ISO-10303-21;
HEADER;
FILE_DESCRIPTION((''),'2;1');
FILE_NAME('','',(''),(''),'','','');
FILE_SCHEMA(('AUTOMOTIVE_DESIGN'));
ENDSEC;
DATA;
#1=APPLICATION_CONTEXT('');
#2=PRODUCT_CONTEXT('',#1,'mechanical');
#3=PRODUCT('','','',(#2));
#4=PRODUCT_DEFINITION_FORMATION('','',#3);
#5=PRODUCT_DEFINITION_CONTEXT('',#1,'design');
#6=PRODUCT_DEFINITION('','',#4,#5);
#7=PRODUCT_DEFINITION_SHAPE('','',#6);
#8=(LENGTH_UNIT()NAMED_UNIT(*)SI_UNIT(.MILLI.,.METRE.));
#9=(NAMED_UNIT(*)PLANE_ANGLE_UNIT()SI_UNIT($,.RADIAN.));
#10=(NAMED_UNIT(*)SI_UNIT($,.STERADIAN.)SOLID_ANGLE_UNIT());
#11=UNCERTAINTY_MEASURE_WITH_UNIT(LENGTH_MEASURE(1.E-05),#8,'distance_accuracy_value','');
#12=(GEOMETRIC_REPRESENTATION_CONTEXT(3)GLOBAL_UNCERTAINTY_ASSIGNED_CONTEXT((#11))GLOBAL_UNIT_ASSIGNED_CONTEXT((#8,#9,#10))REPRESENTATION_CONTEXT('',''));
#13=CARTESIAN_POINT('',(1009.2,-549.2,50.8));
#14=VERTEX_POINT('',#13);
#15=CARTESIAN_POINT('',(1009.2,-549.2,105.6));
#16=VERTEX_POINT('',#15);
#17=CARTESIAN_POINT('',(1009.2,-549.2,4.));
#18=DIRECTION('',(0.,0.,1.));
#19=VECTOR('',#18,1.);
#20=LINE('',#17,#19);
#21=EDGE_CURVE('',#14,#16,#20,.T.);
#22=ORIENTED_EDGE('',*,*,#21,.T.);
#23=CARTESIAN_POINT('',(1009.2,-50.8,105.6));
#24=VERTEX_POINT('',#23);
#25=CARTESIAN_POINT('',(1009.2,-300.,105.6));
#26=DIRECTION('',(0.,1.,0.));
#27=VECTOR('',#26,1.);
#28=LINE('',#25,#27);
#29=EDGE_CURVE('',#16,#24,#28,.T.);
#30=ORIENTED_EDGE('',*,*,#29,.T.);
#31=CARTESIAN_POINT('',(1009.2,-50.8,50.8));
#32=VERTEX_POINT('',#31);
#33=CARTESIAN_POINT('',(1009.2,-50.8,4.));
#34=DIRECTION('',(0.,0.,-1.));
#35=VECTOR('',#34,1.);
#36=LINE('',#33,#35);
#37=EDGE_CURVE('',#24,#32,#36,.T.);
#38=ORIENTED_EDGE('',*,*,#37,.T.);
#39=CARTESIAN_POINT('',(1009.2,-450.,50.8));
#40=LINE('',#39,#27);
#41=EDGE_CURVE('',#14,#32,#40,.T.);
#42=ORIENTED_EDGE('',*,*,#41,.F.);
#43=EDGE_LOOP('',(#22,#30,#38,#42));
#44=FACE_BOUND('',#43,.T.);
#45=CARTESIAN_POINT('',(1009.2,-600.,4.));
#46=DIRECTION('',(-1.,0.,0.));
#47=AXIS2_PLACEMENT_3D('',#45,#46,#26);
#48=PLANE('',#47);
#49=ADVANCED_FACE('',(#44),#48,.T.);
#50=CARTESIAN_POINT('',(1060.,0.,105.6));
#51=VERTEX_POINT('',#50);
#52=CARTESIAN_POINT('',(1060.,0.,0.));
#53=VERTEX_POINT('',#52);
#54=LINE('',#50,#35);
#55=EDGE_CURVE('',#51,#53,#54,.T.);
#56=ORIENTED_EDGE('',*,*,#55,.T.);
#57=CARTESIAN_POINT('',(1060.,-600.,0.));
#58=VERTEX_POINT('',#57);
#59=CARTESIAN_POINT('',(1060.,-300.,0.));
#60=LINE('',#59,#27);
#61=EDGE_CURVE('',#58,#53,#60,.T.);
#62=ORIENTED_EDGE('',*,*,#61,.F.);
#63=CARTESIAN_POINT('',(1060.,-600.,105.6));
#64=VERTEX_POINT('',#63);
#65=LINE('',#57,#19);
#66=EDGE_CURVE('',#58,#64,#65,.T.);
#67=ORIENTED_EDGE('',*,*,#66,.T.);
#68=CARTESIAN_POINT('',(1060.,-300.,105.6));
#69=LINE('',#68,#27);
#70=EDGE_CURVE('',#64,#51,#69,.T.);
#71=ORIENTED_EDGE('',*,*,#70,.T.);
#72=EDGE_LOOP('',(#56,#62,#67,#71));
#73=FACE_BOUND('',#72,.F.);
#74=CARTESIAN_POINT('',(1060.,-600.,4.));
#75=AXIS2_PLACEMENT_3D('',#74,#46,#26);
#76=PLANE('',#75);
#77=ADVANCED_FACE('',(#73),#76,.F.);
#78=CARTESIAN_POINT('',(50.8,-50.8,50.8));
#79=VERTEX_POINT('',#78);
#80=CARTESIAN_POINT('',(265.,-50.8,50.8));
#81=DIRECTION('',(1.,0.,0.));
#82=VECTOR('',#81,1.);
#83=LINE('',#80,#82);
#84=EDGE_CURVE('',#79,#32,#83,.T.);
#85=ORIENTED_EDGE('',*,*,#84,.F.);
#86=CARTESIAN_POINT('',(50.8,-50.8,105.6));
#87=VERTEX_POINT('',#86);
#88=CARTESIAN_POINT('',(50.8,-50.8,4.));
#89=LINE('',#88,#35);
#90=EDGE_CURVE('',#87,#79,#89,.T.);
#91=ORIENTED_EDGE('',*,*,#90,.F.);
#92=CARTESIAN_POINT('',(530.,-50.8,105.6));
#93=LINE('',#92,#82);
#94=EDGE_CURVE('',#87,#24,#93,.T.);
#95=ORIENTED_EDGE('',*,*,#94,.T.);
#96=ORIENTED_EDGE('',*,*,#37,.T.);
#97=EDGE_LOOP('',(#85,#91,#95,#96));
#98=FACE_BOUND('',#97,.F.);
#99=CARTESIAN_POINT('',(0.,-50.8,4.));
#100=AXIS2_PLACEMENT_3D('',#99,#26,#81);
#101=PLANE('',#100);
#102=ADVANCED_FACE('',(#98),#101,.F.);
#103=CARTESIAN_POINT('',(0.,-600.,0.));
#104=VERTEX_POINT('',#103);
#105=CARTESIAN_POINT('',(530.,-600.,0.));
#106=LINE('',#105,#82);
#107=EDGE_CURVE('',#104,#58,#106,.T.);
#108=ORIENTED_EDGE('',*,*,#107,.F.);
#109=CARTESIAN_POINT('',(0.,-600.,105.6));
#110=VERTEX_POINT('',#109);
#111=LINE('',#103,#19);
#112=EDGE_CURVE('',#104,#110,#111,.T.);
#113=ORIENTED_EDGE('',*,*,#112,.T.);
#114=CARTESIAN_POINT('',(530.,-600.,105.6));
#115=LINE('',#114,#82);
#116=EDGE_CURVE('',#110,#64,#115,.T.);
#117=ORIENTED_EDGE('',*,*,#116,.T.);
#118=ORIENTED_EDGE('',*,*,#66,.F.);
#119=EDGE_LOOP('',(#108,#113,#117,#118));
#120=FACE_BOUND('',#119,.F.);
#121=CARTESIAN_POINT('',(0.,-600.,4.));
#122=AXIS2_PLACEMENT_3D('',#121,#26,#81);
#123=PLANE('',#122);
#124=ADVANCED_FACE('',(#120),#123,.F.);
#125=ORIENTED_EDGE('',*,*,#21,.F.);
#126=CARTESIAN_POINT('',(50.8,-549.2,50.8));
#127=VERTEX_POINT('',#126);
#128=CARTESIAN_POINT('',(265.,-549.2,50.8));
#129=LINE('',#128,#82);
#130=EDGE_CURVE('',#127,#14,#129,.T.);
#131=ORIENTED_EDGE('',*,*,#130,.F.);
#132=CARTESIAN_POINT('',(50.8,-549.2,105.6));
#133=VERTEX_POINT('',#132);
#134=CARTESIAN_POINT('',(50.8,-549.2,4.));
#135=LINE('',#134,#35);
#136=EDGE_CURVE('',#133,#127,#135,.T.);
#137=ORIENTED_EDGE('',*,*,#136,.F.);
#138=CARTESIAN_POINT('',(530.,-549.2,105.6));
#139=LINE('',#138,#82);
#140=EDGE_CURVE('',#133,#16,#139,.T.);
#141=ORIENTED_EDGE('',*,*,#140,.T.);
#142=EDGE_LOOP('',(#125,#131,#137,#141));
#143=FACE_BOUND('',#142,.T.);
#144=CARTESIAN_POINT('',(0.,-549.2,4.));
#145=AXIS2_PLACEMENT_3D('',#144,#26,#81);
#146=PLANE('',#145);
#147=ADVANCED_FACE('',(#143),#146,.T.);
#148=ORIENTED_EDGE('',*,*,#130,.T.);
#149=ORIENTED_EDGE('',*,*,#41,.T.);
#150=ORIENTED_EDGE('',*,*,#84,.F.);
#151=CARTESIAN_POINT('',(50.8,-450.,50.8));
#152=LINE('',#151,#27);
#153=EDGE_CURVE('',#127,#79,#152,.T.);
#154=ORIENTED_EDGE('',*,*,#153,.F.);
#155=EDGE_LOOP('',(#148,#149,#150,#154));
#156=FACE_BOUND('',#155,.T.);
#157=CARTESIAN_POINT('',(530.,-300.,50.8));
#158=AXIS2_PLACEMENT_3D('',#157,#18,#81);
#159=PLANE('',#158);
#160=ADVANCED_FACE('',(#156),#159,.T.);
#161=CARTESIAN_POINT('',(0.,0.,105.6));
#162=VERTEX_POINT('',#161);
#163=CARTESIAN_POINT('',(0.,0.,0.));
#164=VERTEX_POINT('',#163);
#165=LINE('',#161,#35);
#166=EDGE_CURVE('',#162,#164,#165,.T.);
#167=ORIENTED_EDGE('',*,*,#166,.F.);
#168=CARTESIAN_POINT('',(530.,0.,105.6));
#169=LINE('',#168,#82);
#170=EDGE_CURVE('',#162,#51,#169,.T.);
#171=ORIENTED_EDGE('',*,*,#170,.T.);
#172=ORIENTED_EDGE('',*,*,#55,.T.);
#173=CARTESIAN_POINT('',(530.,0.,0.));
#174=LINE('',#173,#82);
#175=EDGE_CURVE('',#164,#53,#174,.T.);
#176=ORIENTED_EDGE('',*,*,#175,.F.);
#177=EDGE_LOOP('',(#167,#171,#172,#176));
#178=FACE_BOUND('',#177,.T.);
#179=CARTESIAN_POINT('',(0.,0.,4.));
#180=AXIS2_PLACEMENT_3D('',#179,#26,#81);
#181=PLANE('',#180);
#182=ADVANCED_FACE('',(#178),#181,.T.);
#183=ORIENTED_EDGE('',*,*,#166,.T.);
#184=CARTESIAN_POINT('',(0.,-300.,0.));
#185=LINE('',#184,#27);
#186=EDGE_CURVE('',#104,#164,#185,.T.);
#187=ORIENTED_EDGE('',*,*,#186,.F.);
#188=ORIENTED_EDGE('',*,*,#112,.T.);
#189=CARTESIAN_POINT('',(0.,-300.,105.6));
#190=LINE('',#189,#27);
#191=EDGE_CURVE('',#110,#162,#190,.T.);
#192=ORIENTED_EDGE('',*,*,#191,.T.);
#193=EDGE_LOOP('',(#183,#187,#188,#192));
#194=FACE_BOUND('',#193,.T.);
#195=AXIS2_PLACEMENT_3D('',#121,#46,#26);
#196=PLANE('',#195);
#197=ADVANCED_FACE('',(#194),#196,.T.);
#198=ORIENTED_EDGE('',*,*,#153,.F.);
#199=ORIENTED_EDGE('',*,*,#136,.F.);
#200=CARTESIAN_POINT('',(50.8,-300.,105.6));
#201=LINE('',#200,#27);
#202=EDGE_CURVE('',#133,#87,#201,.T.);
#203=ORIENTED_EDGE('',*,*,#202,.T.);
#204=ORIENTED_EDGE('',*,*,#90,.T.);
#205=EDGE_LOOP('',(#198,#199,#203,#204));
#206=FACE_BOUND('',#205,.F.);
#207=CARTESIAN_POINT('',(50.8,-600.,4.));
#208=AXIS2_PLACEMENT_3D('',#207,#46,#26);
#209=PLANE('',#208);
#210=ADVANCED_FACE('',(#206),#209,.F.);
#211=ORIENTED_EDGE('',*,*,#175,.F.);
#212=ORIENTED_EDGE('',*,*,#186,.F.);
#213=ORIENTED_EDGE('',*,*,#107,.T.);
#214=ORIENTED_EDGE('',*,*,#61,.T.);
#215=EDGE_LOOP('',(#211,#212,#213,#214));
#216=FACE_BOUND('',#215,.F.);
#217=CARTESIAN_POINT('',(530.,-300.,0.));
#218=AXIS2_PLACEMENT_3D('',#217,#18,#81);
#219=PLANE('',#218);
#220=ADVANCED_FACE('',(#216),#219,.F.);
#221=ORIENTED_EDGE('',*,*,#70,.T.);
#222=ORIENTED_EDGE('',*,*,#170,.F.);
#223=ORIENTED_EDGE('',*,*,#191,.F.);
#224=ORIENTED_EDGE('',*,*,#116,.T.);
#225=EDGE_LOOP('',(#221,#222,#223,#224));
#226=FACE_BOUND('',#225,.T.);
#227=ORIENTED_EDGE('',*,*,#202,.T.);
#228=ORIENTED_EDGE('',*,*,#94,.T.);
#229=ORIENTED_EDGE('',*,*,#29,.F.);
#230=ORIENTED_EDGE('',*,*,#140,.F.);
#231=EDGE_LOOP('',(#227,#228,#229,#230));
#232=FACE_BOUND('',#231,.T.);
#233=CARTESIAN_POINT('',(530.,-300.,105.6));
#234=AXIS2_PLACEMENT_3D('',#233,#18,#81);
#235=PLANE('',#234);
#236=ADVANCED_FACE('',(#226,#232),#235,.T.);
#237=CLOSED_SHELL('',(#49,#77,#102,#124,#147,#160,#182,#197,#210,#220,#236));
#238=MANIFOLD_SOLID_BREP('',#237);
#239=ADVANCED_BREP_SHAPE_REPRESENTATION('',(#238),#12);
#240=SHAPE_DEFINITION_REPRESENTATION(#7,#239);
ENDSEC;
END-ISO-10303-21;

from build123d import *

# Parameters (mm, degrees)
F0_W     = 1060
F0_H     = 600
F1_DEPTH = 4
F2_W     = 1060
F2_H     = 600
F3_DEPTH = 101.6
F4_T     = -50.8


with BuildPart() as f1:
    # F0 (on Top) → F1 (new body)
    with BuildSketch(Plane.XY):
        with Locations((530, -300)):
            Rectangle(F0_W, F0_H)
    extrude(amount=F1_DEPTH)

    # F2 (on face) → F3 (join)
    with BuildSketch(Plane.XY.offset(4)):
        with Locations((530, -300)):
            Rectangle(F2_W, F2_H)
    extrude(amount=F3_DEPTH)

    # F4
    f4_openings = [f1.faces().sort_by_distance(p)[0] for p in [
        (530, -300, 105.6),
    ]]
    offset(amount=F4_T, openings=f4_openings)


solid = f1.part
